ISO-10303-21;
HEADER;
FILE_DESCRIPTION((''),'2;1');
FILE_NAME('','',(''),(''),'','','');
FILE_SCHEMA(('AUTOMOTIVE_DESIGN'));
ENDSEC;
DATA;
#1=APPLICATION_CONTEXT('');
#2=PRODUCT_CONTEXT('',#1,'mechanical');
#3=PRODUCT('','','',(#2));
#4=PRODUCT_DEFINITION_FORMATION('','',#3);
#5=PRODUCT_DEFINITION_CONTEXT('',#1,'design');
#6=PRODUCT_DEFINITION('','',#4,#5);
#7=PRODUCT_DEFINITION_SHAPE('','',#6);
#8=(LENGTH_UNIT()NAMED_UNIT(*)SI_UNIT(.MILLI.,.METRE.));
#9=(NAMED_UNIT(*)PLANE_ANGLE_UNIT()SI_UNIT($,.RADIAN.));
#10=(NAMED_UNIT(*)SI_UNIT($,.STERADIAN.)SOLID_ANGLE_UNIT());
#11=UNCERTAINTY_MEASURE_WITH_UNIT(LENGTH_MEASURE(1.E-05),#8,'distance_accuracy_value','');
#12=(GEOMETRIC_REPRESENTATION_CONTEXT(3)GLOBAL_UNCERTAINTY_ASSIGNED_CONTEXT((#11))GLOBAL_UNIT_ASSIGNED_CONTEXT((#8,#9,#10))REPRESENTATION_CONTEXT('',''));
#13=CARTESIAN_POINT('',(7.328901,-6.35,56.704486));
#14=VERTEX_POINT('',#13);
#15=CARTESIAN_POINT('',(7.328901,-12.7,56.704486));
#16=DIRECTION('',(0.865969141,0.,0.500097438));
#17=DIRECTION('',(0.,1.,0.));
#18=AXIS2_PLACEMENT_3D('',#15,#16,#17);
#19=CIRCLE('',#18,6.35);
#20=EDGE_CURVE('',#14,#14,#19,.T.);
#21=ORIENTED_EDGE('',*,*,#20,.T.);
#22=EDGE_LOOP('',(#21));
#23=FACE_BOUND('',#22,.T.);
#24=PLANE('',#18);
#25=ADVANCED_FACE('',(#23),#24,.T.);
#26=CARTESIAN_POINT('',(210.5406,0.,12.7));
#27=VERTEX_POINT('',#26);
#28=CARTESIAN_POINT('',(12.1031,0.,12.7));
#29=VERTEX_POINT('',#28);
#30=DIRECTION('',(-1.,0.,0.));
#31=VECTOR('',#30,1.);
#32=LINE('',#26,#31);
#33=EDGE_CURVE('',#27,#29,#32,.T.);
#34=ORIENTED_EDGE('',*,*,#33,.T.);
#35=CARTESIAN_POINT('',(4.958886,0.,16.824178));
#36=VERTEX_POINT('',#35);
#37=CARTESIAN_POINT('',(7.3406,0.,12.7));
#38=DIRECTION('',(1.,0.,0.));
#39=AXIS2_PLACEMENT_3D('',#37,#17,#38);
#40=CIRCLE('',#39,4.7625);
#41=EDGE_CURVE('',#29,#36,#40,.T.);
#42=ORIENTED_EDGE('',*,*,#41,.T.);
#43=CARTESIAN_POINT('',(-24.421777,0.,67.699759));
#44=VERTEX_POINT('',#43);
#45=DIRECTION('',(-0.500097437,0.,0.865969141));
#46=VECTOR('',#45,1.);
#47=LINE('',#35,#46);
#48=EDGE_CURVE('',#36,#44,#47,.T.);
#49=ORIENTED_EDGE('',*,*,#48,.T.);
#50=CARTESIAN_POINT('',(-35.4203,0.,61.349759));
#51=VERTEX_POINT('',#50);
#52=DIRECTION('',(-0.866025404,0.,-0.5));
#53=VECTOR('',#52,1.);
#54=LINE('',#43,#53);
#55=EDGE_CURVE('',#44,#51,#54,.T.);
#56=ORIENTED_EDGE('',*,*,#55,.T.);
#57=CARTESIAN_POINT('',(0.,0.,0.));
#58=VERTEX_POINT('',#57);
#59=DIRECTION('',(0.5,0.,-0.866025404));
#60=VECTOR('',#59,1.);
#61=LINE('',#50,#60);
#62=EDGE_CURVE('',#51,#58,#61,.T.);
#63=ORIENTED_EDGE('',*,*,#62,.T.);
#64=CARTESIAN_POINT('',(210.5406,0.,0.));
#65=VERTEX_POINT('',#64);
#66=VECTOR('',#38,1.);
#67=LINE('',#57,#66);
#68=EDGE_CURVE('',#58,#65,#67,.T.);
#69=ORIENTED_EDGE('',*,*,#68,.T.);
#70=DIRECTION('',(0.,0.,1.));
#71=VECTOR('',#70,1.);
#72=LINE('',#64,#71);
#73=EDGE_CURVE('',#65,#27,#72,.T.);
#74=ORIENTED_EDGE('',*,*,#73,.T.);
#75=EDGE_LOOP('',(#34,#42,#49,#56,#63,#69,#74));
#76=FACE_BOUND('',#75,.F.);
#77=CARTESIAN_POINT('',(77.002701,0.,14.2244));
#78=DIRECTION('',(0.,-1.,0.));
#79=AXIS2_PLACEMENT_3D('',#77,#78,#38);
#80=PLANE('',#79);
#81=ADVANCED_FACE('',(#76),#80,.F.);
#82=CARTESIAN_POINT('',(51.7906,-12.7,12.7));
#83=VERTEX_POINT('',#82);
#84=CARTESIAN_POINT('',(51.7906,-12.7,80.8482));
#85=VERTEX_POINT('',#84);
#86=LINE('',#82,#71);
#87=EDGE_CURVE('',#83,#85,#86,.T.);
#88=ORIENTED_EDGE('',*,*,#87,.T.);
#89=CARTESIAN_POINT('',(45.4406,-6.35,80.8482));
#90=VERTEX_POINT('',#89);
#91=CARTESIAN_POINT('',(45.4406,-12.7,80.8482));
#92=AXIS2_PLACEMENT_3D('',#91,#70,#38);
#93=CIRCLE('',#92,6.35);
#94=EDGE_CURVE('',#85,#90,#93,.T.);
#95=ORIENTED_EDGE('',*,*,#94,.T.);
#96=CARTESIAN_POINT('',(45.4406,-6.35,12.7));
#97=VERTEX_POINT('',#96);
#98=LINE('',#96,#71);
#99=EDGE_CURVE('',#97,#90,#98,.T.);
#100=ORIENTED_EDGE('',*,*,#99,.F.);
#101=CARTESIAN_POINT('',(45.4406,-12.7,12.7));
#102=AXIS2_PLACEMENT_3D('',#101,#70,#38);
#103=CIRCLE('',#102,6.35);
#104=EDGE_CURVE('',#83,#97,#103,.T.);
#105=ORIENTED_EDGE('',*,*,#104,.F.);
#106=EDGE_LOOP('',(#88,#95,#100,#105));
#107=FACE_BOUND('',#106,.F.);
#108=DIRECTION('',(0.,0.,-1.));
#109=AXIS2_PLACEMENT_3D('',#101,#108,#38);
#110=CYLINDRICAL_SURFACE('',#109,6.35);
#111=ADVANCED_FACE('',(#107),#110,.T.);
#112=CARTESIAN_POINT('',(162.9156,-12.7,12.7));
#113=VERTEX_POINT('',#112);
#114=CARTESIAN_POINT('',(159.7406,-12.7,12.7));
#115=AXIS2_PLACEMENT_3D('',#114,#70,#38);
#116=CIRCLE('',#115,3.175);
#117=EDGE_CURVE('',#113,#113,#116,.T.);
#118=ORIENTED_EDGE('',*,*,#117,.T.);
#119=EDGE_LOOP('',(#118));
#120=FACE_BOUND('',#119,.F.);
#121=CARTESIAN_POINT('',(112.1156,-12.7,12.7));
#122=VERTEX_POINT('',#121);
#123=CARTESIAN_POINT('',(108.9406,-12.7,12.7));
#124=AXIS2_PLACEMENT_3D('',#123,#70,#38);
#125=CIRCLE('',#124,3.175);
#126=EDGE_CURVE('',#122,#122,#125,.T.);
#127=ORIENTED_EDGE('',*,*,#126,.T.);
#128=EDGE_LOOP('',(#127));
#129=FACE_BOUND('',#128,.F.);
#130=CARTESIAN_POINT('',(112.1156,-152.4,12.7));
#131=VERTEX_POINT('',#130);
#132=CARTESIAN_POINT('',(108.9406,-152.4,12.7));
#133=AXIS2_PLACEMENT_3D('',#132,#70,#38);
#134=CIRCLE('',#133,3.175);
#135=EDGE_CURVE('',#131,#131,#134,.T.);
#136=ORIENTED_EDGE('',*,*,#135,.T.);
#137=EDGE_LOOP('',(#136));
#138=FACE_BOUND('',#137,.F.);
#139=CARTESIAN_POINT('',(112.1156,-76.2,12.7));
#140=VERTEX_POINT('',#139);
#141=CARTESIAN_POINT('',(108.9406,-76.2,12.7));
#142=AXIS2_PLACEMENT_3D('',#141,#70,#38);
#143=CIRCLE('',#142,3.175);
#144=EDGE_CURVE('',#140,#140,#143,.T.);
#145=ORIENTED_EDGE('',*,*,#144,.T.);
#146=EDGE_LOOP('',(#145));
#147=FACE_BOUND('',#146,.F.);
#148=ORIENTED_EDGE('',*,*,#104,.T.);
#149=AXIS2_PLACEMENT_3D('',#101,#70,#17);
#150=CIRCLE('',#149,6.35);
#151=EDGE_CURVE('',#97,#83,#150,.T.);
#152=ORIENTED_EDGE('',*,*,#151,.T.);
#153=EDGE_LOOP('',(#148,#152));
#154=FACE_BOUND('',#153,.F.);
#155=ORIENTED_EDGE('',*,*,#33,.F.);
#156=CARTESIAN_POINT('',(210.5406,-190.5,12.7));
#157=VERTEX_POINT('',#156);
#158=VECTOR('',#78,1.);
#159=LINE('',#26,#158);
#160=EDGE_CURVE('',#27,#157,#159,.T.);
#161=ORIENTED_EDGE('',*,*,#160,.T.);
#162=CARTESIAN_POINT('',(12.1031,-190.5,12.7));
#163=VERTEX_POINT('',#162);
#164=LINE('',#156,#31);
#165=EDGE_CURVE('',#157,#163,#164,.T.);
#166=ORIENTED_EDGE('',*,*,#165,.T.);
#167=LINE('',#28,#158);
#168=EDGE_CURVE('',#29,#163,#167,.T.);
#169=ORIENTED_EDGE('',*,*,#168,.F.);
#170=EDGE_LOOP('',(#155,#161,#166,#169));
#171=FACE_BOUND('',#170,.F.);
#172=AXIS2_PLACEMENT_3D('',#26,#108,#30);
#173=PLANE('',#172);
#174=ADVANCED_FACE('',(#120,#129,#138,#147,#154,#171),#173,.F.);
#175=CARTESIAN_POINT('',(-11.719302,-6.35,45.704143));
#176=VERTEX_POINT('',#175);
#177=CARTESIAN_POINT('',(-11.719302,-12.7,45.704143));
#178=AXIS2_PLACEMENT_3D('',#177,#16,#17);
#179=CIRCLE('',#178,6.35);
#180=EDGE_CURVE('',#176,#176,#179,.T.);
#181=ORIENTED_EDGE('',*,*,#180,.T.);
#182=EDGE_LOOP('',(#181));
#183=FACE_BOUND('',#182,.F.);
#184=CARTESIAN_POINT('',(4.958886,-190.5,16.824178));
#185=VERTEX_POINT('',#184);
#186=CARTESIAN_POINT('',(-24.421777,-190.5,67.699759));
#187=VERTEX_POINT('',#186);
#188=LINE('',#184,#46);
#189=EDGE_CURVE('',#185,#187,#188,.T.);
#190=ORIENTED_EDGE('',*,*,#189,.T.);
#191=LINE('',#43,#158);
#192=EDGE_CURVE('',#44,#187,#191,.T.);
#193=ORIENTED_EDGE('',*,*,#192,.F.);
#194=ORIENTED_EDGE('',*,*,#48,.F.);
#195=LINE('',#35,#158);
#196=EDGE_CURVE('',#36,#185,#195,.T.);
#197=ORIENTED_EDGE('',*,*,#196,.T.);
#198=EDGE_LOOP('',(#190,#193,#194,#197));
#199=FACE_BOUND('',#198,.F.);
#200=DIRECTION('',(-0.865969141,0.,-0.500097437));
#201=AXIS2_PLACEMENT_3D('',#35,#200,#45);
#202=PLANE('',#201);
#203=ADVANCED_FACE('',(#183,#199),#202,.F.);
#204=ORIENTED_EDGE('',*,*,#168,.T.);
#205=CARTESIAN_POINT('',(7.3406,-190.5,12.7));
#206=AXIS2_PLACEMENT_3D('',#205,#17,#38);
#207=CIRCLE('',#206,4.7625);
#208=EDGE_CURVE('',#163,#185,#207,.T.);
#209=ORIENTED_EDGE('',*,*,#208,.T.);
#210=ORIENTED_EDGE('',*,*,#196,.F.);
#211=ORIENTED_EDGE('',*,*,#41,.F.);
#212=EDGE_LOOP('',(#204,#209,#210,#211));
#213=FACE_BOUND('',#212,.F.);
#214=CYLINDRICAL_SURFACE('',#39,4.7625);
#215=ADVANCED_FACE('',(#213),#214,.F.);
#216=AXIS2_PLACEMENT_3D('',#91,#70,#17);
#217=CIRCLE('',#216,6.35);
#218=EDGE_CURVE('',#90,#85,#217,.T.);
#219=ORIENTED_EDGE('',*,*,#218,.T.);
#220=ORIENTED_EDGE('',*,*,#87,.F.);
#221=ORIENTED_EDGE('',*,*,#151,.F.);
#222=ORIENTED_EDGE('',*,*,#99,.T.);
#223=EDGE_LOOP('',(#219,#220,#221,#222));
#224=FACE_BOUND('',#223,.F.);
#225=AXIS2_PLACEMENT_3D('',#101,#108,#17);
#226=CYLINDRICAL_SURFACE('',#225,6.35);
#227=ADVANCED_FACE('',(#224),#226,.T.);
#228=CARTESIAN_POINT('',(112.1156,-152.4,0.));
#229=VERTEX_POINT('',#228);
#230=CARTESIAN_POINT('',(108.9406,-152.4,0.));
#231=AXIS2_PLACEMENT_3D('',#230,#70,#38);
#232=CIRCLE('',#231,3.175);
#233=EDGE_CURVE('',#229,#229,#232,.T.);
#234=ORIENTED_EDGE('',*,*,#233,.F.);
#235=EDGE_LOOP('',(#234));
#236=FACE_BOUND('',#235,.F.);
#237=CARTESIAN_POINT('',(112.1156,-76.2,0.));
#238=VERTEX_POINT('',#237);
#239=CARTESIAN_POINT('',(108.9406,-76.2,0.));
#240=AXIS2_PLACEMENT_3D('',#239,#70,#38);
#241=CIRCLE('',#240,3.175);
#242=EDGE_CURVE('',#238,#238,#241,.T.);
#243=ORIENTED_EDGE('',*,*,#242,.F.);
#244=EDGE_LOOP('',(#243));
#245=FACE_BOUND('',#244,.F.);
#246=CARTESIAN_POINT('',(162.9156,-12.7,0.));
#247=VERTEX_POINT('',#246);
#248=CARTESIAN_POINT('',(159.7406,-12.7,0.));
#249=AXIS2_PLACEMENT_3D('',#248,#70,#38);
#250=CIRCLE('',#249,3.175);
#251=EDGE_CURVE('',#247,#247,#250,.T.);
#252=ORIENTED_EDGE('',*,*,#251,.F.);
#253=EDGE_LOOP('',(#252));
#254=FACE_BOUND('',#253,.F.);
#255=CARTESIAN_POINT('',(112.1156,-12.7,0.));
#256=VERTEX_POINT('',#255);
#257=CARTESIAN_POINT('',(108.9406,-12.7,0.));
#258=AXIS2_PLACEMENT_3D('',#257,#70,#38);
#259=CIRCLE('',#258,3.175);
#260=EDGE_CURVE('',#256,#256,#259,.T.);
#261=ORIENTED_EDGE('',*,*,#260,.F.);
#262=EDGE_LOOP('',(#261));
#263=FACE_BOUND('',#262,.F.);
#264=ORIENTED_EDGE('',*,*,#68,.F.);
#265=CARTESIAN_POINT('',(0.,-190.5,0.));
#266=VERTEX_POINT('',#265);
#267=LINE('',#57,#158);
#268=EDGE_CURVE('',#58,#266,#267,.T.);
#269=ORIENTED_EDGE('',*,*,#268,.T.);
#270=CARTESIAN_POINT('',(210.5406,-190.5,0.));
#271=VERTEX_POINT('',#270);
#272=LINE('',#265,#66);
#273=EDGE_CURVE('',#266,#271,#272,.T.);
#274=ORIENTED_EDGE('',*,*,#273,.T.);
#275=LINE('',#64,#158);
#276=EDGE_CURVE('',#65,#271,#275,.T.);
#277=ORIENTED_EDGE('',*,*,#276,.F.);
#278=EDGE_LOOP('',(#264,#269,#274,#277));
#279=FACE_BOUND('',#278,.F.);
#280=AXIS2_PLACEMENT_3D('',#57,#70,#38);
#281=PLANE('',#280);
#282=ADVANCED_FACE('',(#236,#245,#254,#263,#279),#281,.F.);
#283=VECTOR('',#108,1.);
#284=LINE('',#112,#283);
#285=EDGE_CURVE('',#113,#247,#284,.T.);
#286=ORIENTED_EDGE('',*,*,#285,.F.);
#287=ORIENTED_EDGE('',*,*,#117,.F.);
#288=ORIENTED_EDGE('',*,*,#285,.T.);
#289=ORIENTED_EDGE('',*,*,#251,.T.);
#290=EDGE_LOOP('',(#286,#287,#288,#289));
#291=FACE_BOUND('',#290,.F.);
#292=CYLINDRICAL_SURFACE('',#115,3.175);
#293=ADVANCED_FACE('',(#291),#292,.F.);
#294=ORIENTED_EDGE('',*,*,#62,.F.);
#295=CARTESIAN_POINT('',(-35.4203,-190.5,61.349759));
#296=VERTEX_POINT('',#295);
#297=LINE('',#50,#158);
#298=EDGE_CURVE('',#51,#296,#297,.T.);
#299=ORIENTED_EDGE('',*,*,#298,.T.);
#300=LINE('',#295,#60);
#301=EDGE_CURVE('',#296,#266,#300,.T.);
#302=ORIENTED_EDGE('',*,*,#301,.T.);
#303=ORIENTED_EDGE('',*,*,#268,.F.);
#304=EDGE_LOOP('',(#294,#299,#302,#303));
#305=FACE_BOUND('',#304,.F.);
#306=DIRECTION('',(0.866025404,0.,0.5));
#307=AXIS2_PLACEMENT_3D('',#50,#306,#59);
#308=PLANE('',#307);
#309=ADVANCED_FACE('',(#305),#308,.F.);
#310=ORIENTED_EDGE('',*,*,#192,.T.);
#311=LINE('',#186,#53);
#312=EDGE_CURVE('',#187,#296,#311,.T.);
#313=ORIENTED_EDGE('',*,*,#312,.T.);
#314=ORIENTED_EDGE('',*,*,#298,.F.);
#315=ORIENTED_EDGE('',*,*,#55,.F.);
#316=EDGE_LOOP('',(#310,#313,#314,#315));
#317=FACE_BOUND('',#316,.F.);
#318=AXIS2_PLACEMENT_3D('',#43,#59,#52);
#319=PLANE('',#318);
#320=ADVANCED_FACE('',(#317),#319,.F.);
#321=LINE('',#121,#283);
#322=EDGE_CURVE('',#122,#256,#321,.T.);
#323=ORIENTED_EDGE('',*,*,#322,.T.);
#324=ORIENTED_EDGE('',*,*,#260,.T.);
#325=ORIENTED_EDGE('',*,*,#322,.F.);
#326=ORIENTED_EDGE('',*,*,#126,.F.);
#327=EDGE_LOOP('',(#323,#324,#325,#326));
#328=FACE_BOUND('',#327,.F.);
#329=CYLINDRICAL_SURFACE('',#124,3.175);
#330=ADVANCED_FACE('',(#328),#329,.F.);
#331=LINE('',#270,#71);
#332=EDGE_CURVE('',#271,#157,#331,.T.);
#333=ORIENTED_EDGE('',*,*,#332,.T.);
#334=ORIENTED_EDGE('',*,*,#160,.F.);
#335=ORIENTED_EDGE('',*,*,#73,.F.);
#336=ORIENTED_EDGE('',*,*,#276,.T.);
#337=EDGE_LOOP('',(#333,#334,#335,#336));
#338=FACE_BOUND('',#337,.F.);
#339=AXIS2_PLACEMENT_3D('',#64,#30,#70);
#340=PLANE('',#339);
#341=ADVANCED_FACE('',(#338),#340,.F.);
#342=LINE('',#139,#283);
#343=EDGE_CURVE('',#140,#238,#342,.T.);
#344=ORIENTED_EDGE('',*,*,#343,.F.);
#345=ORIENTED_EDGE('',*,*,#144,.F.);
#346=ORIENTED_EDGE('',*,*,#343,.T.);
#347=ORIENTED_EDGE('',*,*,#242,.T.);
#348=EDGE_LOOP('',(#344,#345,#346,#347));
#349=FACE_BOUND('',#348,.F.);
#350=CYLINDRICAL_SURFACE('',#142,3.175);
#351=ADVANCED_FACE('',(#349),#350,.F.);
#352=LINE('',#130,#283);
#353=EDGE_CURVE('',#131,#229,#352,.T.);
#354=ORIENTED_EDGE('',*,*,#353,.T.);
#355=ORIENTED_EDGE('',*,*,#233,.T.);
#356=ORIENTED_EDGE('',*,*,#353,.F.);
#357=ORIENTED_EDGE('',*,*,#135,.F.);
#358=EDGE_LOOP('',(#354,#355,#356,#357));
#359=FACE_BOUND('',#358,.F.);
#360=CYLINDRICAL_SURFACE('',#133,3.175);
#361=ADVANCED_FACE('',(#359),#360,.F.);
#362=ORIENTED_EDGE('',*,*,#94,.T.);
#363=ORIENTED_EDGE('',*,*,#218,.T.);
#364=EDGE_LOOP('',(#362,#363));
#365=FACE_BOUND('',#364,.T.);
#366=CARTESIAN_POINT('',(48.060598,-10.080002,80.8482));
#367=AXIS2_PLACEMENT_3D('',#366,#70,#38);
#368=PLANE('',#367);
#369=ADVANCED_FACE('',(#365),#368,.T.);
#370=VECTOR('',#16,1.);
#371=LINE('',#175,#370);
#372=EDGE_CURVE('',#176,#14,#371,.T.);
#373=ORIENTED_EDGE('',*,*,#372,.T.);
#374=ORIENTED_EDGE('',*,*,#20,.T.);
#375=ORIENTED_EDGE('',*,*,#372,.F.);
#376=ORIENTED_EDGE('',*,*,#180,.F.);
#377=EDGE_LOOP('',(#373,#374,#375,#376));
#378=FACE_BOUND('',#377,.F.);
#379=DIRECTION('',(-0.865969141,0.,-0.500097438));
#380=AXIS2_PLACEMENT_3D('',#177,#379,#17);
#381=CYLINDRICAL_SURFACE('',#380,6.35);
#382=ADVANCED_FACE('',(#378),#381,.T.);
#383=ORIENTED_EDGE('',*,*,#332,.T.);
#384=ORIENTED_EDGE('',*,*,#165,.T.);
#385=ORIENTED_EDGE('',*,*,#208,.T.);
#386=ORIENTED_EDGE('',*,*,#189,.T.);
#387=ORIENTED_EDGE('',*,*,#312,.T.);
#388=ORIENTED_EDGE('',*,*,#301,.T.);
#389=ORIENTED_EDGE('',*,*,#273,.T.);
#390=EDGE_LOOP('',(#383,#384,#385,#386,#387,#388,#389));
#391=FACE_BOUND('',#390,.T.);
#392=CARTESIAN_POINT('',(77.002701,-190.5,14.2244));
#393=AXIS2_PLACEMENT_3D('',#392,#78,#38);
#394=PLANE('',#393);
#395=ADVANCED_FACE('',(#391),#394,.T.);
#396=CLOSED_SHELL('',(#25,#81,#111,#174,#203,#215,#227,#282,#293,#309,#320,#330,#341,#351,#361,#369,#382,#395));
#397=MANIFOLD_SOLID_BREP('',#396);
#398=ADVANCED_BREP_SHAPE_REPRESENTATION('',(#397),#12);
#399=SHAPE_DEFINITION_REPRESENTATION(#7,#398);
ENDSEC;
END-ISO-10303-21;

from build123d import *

# Parameters (mm, degrees)
F1_DEPTH = 190.5
F2_R     = 3.175
F3_DEPTH = 25.4
F5_DEPTH = 68.1482
F6_R     = 6.35
F7_DEPTH = 21.9964


with BuildPart() as f1:
    # F0 (on Front) → F1 (new body)
    with BuildSketch(Plane.XZ):
        with BuildLine():
            Line((-35.4203, 61.3497592193), (0, 0))
            Line((0, 0), (7.3406, 0))
            Line((7.3406, 0), (210.5406, 0))
            Line((210.5406, 0), (210.5406, 12.7))
            Line((210.5406, 12.7), (12.1031, 12.7))
            ThreePointArc((12.1031, 12.7), (4.9595820343, 8.5754200581), (4.9588859541, 16.8241780337))
            Line((4.9588859541, 16.8241780337), (-24.4217773719, 67.6997592193))
            Line((-24.4217773719, 67.6997592193), (-35.4203, 61.3497592193))
        make_face()
    extrude(amount=F1_DEPTH)

    # F2 (on face) → F3 (cut)
    with BuildSketch(Plane.XY.offset(12.7)):
        with Locations((108.9406, -12.7)):
            Circle(F2_R)
        with Locations((108.9406, -76.2)):
            Circle(F2_R)
        with Locations((159.7406, -12.7)):
            Circle(F2_R)
        with Locations((108.9406, -152.4)):
            Circle(F2_R)
    extrude(amount=-F3_DEPTH, mode=Mode.SUBTRACT)

    # F4 (on face) → F5 (join)
    with BuildSketch(Plane.XY.offset(12.7)):
        with BuildLine():
            ThreePointArc((51.7906, -12.7), (49.9307280605, -8.2098719395), (45.4406, -6.35))
            Line((45.4406, -6.35), (45.4406, -12.7))
            Line((45.4406, -12.7), (51.7906, -12.7))
        make_face()
        with BuildLine():
            Line((45.4406, -12.7), (45.4406, -6.35))
            ThreePointArc((45.4406, -6.35), (40.9504719395, -17.1901280605), (51.7906, -12.7))
            Line((51.7906, -12.7), (45.4406, -12.7))
        make_face()
    extrude(amount=F5_DEPTH)

    # F6 (on face) → F7 (join)
    with BuildSketch(Plane(origin=(11.0047103243, 0, 6.3552234983), x_dir=(0, 1, 0), z_dir=(0.8659691409, 0, 0.5000974375))):
        with Locations((-12.7, 45.4391706143)):
            Circle(F6_R)
    extrude(amount=F7_DEPTH)


solid = f1.part
